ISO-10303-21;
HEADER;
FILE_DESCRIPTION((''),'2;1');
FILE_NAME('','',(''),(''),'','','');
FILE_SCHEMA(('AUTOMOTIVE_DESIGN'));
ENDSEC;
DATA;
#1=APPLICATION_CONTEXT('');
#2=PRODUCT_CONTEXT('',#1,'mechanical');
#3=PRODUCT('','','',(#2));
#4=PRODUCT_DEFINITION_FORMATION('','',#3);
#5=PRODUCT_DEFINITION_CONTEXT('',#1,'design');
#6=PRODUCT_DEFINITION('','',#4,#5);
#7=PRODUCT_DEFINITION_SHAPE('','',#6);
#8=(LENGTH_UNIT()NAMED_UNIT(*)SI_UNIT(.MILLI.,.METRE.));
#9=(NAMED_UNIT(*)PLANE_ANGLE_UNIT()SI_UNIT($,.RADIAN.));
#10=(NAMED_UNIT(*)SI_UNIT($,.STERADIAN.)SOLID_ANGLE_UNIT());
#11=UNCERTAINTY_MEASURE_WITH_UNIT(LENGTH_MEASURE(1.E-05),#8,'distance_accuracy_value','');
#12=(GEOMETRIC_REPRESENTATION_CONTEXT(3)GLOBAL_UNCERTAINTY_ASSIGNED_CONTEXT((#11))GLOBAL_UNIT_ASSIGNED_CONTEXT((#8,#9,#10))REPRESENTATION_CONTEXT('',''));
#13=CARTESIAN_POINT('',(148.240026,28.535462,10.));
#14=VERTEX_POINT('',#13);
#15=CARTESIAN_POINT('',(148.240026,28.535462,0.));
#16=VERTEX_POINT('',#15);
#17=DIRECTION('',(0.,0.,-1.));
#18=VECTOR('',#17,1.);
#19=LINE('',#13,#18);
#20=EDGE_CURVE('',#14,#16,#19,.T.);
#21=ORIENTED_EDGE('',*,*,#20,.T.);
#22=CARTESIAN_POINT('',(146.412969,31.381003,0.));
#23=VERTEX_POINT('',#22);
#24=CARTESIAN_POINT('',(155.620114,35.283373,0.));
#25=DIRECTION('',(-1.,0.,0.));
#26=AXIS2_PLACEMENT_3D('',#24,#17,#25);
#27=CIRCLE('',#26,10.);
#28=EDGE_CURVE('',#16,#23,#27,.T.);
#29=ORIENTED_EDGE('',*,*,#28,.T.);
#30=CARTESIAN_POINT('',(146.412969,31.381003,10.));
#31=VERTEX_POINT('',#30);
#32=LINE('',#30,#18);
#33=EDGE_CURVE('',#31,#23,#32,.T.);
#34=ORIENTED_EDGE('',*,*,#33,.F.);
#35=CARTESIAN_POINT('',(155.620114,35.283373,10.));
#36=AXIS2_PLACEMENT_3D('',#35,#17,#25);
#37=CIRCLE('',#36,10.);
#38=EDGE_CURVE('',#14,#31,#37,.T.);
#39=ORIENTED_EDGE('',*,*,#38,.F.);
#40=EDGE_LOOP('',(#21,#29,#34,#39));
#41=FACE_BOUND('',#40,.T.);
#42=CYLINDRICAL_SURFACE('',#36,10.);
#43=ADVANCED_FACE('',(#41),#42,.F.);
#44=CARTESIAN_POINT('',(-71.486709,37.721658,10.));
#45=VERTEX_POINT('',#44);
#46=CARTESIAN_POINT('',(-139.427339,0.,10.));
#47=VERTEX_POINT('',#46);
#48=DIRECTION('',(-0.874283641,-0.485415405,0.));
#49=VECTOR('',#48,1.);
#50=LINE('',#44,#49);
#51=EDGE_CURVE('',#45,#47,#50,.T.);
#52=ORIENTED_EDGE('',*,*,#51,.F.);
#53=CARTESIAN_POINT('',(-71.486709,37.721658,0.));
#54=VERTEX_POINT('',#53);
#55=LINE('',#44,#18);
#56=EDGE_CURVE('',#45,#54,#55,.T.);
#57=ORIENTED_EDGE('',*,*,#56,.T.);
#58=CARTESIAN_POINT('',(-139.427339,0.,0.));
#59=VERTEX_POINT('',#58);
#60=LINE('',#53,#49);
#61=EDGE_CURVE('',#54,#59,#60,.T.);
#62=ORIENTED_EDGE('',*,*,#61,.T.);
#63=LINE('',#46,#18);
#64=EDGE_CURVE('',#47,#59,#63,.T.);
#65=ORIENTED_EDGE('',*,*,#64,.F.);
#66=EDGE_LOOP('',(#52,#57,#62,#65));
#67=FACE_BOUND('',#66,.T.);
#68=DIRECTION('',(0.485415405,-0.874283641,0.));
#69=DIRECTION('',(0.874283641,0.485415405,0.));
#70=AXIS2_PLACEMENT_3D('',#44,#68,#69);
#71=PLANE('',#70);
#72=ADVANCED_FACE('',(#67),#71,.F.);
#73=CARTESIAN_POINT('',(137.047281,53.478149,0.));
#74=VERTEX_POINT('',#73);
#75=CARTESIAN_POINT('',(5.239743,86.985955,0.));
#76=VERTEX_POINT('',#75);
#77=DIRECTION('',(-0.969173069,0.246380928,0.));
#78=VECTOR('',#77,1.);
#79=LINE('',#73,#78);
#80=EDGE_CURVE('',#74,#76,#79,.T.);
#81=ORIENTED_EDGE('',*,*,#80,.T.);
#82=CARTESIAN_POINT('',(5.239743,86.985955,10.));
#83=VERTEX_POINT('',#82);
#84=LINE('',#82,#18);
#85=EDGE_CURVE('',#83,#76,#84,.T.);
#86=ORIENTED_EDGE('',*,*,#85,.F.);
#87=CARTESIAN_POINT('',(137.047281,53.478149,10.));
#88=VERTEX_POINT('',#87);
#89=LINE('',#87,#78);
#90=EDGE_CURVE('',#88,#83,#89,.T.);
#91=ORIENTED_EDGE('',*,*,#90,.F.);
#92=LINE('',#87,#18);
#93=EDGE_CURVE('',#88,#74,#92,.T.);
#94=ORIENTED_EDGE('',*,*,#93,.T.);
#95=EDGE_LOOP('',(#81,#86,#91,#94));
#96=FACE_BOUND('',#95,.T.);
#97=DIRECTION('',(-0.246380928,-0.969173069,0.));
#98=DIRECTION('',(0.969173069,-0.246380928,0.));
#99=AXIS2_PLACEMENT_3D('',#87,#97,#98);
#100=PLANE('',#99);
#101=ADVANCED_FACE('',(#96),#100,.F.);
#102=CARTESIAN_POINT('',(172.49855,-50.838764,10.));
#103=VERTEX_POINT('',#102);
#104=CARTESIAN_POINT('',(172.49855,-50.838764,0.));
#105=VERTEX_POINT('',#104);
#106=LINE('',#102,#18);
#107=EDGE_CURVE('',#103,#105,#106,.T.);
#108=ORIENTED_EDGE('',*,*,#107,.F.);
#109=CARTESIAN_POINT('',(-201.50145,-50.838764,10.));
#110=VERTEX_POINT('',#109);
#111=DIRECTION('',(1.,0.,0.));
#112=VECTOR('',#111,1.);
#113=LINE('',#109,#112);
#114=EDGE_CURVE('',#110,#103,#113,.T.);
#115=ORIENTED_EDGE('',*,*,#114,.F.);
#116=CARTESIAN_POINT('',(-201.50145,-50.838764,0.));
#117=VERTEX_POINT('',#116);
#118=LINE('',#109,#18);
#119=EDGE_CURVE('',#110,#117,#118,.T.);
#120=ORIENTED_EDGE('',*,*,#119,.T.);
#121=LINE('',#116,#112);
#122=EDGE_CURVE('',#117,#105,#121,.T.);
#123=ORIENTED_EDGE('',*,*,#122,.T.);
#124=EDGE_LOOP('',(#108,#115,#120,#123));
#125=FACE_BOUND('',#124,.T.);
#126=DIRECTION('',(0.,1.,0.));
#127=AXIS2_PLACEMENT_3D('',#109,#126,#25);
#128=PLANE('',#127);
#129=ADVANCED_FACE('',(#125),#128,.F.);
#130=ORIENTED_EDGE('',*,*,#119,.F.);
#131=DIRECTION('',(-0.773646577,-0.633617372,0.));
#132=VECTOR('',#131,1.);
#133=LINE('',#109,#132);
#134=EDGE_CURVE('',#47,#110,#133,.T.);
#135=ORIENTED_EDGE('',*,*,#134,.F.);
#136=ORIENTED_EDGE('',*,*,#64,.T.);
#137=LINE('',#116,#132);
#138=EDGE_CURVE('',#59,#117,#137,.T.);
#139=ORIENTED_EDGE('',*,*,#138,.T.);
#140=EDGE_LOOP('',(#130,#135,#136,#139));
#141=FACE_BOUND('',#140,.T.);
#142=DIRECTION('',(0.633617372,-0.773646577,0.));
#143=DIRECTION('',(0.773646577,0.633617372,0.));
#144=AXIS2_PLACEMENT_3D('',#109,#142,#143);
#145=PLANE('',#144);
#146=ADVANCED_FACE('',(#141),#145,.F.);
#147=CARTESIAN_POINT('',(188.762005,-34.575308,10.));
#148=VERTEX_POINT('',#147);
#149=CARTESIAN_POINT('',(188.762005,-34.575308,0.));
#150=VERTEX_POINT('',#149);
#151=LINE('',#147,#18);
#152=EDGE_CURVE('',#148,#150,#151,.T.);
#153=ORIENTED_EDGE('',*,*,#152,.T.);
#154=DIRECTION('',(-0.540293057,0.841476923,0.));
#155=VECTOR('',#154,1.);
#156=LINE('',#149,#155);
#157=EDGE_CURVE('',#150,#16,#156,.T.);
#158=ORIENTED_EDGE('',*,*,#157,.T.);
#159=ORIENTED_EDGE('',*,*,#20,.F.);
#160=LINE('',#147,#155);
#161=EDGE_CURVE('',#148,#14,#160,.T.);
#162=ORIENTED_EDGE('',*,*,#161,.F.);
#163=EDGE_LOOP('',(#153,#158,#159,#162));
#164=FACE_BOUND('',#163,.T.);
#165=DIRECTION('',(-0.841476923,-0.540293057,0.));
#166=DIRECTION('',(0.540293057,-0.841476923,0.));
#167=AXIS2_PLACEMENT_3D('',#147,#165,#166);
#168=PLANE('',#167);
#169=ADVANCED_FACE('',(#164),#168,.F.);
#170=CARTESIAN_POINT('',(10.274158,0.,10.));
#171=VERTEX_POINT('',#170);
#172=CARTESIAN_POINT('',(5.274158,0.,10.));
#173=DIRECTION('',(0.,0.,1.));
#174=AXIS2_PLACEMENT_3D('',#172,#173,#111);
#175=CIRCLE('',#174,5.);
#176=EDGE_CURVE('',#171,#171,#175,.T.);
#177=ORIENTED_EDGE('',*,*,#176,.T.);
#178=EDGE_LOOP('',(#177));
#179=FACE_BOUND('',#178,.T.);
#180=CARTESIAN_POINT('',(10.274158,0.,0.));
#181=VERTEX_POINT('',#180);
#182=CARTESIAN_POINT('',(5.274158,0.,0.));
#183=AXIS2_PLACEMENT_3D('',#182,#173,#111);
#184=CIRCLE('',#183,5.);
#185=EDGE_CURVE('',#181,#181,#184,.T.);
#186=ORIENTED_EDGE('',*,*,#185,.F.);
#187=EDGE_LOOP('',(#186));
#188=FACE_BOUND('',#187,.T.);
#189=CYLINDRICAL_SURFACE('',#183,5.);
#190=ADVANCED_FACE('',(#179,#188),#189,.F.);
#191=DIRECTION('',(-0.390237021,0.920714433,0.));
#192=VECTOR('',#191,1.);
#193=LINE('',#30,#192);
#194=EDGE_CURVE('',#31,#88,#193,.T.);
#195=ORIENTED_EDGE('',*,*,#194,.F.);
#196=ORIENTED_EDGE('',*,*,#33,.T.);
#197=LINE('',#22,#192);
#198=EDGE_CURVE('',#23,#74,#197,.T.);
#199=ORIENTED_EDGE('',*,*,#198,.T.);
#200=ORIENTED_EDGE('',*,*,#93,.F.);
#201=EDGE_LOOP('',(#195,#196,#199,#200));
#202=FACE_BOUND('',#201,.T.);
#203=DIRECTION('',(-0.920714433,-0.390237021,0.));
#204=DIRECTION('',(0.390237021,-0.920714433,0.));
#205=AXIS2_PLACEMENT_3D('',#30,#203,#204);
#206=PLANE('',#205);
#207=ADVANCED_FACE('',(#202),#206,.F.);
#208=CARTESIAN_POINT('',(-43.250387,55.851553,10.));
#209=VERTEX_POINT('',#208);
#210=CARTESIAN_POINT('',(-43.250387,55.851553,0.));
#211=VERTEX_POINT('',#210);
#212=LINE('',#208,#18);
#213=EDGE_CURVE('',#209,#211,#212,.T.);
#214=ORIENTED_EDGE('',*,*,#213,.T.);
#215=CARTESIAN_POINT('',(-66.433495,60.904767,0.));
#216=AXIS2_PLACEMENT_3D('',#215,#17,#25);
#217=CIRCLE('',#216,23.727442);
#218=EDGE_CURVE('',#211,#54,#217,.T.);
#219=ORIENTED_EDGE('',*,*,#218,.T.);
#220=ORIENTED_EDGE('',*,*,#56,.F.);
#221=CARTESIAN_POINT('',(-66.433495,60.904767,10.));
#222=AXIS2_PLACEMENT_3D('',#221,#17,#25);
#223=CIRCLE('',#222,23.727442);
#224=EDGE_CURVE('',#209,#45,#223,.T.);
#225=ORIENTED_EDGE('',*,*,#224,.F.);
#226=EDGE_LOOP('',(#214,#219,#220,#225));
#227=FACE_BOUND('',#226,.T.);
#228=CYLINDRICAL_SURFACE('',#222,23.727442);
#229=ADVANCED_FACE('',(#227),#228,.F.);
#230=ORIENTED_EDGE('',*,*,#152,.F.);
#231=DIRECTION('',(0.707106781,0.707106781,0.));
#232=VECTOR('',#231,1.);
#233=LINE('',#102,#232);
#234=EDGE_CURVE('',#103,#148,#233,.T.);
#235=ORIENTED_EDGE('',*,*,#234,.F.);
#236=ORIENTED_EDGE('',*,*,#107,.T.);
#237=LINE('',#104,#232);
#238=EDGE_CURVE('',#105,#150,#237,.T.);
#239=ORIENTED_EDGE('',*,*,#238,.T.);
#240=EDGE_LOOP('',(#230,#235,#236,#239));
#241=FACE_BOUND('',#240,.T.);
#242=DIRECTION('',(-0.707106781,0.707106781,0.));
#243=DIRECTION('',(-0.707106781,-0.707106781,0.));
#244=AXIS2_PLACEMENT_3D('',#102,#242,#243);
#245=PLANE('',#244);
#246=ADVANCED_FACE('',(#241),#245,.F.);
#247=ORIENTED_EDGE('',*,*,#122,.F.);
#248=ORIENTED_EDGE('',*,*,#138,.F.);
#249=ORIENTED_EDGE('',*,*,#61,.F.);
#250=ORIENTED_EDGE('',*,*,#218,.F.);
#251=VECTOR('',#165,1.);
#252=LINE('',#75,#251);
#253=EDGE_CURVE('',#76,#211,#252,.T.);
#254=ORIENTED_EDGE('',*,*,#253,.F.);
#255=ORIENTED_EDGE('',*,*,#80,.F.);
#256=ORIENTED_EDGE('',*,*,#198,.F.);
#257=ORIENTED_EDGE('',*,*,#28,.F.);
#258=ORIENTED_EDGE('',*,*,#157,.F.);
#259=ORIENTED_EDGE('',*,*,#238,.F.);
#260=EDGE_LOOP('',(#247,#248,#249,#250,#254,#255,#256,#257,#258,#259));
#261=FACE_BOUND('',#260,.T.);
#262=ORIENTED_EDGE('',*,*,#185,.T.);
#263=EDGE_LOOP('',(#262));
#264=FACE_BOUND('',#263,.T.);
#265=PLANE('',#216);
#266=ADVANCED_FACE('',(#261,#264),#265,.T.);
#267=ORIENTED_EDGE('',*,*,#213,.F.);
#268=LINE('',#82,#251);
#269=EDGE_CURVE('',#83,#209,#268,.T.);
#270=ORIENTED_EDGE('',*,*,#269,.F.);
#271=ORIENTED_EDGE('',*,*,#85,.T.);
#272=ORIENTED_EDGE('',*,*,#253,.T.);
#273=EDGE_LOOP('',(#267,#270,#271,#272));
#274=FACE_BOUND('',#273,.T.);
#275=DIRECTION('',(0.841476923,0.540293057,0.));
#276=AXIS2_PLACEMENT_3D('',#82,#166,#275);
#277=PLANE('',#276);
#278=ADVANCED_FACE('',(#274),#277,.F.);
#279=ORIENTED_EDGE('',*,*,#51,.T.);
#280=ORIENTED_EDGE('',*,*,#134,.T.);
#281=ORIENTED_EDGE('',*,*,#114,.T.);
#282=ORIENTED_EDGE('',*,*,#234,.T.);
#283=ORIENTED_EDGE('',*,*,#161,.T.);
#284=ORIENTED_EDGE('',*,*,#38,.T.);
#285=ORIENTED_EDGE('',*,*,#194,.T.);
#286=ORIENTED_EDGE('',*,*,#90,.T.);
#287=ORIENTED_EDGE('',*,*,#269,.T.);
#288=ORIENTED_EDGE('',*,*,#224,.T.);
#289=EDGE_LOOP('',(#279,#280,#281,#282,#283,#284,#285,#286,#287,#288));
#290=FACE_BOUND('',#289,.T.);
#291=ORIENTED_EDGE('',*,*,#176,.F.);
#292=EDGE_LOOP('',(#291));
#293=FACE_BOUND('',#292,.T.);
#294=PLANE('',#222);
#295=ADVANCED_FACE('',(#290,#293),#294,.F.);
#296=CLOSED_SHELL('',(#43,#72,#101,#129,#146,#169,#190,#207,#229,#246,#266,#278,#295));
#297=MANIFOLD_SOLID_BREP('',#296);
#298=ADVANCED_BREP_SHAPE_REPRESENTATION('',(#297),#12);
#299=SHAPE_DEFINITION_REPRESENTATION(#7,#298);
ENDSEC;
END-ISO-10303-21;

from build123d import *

# Parameters (mm, degrees)
BOSS_EXTRUDE1_DEPTH = 10
SKETCH2_R           = 5
CUT_EXTRUDE1_DEPTH  = 10


with BuildPart() as part:
    # Sketch1 → Boss-Extrude1 (new body)
    with BuildSketch(Plane.XY):
        with BuildLine():
            Line((-201.501450472, -50.838763567), (172.498549528, -50.838763567))
            Line((172.498549528, -50.838763567), (188.762005495, -34.5753076))
            Line((188.762005495, -34.5753076), (148.240026218, 28.535461651))
            ThreePointArc((148.240026218, 28.535461651), (147.2053445, 29.880442481), (146.412969402, 31.381002841))
            Line((146.412969402, 31.381002841), (137.047280897, 53.478149236))
            Line((137.047280897, 53.478149236), (5.239743471, 86.985955455))
            Line((5.239743471, 86.985955455), (-43.250387022, 55.851553414))
            ThreePointArc((-43.250387022, 55.851553414), (-53.613723576, 40.938672068), (-71.486708656, 37.721658093))
            Line((-71.486708656, 37.721658093), (-139.427338947, 0))
            Line((-139.427338947, 0), (-201.501450472, -50.838763567))
        make_face()
    extrude(amount=BOSS_EXTRUDE1_DEPTH)

    # Sketch2 → Cut-Extrude1 (cut)
    with BuildSketch(Plane.XY.offset(10)):
        with Locations((5.274158071, 0)):
            Circle(SKETCH2_R)
    extrude(amount=-CUT_EXTRUDE1_DEPTH, mode=Mode.SUBTRACT)


solid = part.part
